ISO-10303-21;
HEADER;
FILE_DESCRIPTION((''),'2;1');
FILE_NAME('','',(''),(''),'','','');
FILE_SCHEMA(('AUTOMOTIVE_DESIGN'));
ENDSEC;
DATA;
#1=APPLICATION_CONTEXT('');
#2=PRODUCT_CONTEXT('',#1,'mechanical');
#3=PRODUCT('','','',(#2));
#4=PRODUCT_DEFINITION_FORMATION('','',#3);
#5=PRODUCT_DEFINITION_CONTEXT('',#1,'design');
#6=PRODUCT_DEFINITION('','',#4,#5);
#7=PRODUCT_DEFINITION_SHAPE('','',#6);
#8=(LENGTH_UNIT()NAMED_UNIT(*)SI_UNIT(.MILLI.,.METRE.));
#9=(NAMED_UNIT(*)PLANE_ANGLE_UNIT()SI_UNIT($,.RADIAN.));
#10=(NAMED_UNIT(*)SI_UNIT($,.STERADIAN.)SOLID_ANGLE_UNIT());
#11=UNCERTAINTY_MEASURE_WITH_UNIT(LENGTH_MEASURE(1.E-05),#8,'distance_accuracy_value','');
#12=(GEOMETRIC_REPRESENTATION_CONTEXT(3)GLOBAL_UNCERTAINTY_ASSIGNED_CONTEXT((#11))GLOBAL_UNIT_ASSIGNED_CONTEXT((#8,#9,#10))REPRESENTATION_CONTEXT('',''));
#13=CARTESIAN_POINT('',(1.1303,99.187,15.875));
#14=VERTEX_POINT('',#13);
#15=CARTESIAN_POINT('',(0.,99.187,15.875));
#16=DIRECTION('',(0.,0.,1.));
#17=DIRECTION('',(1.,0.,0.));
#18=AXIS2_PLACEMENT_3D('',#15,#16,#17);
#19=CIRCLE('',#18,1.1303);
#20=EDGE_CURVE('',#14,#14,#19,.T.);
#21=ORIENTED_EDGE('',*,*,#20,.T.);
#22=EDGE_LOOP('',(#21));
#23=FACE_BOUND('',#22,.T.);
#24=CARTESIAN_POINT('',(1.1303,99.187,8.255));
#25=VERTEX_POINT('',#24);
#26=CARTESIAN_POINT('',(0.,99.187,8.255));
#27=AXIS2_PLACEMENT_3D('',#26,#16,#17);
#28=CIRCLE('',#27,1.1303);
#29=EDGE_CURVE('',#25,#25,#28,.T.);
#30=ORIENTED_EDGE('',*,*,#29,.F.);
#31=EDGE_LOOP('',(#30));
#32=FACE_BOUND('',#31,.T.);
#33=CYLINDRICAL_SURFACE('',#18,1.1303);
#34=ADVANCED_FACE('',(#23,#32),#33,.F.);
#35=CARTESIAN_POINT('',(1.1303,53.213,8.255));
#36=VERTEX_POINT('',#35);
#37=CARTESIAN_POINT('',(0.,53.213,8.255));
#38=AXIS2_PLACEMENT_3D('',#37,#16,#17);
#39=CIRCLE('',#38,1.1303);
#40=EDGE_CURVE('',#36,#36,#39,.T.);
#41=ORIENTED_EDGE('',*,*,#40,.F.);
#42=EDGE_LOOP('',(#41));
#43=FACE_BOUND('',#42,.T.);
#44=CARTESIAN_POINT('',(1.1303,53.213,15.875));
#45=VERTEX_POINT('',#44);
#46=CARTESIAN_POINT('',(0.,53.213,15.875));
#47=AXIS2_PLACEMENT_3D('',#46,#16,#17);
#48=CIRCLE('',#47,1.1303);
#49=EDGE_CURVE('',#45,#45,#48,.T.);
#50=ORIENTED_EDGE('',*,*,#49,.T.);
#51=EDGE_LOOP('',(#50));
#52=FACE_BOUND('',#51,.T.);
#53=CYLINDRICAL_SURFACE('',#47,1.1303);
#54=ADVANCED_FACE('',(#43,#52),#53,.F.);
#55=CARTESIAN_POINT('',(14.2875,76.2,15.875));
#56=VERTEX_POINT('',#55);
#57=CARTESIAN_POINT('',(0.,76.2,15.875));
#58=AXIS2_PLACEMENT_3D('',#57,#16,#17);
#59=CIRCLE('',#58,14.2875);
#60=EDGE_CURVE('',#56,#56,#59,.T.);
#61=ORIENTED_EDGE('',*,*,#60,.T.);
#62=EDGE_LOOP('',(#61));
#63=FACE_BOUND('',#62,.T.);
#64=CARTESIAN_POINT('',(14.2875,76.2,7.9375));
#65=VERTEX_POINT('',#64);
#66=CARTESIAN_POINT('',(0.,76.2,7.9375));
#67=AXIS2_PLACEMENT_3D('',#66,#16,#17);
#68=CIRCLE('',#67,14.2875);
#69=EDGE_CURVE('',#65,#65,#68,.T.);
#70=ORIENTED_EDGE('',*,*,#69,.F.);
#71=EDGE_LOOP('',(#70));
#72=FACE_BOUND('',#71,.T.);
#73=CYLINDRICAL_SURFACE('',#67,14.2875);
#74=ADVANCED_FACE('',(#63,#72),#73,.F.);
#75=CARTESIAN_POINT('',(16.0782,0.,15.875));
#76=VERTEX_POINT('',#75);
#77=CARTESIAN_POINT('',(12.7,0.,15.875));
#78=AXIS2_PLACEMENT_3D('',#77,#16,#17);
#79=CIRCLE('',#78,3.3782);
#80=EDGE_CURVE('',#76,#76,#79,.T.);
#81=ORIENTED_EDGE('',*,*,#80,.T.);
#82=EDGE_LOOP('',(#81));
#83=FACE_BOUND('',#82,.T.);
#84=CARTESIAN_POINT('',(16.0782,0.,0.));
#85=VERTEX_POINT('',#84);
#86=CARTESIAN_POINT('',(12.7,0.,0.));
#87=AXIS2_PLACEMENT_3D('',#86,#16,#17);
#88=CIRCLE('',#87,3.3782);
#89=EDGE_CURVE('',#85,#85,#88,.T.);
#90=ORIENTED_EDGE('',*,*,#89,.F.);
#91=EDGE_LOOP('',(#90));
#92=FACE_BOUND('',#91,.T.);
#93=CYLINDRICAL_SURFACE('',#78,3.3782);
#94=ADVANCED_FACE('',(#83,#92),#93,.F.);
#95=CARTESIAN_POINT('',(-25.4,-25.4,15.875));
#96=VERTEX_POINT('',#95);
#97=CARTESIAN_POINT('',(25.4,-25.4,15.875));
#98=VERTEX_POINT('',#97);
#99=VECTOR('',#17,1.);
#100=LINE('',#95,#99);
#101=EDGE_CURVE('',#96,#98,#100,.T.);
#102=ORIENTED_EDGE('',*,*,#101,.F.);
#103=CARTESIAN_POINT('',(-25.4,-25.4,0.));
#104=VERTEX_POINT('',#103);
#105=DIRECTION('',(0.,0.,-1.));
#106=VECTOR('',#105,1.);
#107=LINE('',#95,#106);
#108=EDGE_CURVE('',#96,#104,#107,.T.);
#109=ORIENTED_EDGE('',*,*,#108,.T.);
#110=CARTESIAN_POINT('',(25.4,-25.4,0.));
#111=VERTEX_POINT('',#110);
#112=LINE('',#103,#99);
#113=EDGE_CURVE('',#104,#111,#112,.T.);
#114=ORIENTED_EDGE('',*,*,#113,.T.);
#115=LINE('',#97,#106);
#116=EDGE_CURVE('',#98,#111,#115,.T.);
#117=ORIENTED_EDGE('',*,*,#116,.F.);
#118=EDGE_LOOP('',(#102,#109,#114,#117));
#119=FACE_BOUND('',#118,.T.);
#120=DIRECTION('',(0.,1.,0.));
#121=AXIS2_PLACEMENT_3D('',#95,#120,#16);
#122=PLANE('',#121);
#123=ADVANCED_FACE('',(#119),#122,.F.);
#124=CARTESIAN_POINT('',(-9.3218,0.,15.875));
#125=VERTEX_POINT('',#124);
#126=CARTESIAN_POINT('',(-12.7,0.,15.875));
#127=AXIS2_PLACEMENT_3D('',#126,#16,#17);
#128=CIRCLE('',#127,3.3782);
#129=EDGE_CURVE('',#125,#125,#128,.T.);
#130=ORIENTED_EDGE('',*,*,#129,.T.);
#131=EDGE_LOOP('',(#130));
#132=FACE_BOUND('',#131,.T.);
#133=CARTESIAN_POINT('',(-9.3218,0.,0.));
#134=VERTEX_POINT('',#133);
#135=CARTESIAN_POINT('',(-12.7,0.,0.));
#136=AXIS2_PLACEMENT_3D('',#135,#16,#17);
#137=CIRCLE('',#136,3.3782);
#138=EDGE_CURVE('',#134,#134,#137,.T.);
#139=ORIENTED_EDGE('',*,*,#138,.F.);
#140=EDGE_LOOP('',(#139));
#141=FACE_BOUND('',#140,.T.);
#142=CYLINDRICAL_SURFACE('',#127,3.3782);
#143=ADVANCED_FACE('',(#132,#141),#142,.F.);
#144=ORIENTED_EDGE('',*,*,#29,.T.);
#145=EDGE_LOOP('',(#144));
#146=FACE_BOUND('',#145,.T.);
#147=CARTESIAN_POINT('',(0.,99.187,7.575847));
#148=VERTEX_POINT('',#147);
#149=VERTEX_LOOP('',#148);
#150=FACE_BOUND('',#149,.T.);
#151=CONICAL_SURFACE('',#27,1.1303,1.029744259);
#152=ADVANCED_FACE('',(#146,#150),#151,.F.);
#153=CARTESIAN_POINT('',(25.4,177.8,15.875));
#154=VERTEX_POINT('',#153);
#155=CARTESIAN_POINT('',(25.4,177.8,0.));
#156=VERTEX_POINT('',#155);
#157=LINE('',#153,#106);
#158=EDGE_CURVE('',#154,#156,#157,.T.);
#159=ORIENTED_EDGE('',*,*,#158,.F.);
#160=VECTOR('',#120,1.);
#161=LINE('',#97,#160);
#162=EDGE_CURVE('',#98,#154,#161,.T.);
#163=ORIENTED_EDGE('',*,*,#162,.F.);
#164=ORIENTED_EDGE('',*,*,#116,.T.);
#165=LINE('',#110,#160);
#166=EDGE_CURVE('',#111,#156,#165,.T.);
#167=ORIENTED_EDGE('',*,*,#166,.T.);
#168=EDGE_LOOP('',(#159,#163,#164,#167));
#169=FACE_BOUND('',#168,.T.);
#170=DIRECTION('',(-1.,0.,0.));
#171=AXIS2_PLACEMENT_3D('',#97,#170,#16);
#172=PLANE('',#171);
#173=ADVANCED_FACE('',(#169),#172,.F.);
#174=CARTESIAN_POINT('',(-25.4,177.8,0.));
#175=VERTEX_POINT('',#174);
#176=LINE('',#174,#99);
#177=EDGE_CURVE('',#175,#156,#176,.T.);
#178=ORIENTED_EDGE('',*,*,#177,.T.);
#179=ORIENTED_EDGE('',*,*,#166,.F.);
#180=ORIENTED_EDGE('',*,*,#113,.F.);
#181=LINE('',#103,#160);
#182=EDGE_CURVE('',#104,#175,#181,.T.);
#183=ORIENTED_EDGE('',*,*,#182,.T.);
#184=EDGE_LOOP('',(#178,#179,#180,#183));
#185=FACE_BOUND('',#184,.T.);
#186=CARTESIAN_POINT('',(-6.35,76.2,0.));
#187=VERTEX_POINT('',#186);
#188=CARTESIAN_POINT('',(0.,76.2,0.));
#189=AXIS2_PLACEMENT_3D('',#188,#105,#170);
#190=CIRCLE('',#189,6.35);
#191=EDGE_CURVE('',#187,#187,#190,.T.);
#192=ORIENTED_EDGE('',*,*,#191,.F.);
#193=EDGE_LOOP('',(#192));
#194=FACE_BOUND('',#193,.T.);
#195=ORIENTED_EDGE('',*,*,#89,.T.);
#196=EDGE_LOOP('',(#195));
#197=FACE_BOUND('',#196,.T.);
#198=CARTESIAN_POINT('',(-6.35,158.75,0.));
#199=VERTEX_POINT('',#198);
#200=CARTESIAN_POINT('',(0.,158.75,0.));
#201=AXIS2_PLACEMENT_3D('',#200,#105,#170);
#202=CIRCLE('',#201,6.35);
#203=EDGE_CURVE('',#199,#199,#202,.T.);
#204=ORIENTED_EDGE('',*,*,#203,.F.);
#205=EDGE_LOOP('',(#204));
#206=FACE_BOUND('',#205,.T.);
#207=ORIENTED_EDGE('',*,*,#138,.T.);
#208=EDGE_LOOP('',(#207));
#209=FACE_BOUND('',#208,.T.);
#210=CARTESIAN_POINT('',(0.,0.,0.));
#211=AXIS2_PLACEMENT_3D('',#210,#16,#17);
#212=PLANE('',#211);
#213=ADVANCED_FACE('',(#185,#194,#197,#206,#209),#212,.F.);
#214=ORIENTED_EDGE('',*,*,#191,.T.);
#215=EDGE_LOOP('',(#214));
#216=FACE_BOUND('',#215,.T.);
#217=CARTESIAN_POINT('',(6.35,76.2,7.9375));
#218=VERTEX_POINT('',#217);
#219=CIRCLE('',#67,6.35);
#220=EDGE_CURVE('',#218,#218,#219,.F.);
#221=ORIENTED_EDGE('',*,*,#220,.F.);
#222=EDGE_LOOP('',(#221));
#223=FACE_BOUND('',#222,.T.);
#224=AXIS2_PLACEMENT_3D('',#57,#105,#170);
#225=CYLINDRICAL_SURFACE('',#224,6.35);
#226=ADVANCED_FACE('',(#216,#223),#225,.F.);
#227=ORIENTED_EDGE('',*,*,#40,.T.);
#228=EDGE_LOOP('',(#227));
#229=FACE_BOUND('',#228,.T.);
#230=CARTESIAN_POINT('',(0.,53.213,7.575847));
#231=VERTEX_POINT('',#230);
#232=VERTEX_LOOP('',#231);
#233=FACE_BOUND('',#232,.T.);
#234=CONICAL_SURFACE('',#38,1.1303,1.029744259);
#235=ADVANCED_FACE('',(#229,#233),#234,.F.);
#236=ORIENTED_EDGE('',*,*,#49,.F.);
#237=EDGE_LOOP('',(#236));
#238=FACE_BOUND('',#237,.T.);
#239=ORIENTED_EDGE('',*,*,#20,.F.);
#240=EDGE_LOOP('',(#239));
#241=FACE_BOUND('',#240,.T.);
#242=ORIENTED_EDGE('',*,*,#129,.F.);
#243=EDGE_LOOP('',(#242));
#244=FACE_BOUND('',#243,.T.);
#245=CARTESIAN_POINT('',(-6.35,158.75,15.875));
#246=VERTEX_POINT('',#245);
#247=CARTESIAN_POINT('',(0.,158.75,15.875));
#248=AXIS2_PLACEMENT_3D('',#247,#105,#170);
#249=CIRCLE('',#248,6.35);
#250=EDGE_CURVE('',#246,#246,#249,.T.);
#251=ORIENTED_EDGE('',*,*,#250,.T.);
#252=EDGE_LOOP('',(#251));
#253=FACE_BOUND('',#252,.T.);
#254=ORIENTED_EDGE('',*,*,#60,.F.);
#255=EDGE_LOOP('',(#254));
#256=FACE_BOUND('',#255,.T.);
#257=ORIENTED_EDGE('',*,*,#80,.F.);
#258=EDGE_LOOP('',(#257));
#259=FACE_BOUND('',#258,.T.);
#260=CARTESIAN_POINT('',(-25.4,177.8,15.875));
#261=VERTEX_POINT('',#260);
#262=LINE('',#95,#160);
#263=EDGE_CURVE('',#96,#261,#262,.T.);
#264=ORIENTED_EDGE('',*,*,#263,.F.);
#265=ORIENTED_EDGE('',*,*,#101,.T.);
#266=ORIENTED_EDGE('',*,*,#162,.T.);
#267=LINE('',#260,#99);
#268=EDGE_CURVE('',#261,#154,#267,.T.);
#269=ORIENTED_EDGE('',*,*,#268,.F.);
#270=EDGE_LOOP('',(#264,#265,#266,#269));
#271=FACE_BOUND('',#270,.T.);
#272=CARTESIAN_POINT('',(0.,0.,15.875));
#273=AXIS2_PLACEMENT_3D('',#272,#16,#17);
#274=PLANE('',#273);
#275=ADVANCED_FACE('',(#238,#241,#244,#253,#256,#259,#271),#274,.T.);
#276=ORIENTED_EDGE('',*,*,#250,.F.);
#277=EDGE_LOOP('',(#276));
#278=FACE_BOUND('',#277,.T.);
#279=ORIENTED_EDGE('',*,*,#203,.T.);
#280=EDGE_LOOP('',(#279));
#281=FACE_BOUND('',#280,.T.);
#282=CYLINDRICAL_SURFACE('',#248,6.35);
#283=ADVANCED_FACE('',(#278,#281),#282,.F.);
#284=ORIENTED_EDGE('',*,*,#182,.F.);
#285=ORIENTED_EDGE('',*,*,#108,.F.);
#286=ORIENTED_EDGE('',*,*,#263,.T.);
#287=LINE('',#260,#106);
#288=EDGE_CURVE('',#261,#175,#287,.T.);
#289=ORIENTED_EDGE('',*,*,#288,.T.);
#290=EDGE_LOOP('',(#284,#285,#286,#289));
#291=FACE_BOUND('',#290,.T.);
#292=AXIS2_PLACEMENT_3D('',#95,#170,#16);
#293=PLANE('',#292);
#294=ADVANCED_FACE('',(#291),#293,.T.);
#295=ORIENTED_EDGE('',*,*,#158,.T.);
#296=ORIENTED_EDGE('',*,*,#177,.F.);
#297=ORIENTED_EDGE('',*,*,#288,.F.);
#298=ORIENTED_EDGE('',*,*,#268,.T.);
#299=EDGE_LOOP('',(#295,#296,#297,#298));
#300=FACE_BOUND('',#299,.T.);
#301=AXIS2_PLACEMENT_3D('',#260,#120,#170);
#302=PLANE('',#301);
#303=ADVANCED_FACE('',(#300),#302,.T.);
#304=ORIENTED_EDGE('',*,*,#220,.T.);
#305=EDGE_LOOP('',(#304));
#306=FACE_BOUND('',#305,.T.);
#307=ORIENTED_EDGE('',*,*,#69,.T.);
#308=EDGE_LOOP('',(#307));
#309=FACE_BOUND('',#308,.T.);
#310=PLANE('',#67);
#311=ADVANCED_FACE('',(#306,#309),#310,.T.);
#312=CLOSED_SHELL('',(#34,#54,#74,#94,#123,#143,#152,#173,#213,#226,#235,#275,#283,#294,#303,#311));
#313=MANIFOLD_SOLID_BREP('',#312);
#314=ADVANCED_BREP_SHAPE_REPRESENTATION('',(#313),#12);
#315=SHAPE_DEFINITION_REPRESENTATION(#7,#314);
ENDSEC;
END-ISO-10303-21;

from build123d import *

# Parameters (mm, degrees)
SKETCH1_W                 = 50.8
SKETCH1_H                 = 203.2
BOSS_EXTRUDE1_DEPTH       = 15.875
F_1_4_CLEARANCE_HOLE1_D   = 6.7564
SKETCH5_R                 = 6.35
CUT_EXTRUDE1_DEPTH        = 16.875
SKETCH6_R                 = 14.2875
CUT_EXTRUDE2_DEPTH        = 7.9375
F_4_40_TAPPED_HOLE1_D     = 2.2606
F_4_40_TAPPED_HOLE1_DEPTH = 7.62
F_4_40_TAPPED_HOLE1_TIP   = 0.679152758


with BuildPart() as part:
    # Sketch1 → Boss-Extrude1 (new body)
    with BuildSketch(Plane.XY):
        with Locations((0, 76.2)):
            Rectangle(SKETCH1_W, SKETCH1_H)
    extrude(amount=BOSS_EXTRUDE1_DEPTH)

    # 1/4 Clearance Hole1 (through all)
    with Locations(Plane.XY.offset(15.875)):
        with Locations((12.7, 0), (-12.7, 0)):
            Hole(F_1_4_CLEARANCE_HOLE1_D / 2)

    # Sketch5 → Cut-Extrude1 (cut, through all)
    with BuildSketch(Plane(origin=(0, 0, 0), x_dir=(-1, 0, 0), z_dir=(0, 0, -1))):
        with Locations((0, 158.75)):
            Circle(SKETCH5_R)
        with Locations((0, 76.2)):
            Circle(SKETCH5_R)
    extrude(amount=-CUT_EXTRUDE1_DEPTH, mode=Mode.SUBTRACT)

    # Sketch6 → Cut-Extrude2 (cut)
    with BuildSketch(Plane.XY.offset(15.875)):
        with Locations((0, 76.2)):
            Circle(SKETCH6_R)
    extrude(amount=-CUT_EXTRUDE2_DEPTH, mode=Mode.SUBTRACT)

    # #4-40 Tapped Hole1
    with Locations(Plane.XY.offset(15.875)):
        with Locations((0, 99.187), (0, 53.213)):
            Hole(F_4_40_TAPPED_HOLE1_D / 2, depth=F_4_40_TAPPED_HOLE1_DEPTH)
            with Locations((0, 0, -(F_4_40_TAPPED_HOLE1_DEPTH + F_4_40_TAPPED_HOLE1_TIP / 2))):  # 118° drill point
                Cone(0, F_4_40_TAPPED_HOLE1_D / 2, F_4_40_TAPPED_HOLE1_TIP, mode=Mode.SUBTRACT)


solid = part.part
